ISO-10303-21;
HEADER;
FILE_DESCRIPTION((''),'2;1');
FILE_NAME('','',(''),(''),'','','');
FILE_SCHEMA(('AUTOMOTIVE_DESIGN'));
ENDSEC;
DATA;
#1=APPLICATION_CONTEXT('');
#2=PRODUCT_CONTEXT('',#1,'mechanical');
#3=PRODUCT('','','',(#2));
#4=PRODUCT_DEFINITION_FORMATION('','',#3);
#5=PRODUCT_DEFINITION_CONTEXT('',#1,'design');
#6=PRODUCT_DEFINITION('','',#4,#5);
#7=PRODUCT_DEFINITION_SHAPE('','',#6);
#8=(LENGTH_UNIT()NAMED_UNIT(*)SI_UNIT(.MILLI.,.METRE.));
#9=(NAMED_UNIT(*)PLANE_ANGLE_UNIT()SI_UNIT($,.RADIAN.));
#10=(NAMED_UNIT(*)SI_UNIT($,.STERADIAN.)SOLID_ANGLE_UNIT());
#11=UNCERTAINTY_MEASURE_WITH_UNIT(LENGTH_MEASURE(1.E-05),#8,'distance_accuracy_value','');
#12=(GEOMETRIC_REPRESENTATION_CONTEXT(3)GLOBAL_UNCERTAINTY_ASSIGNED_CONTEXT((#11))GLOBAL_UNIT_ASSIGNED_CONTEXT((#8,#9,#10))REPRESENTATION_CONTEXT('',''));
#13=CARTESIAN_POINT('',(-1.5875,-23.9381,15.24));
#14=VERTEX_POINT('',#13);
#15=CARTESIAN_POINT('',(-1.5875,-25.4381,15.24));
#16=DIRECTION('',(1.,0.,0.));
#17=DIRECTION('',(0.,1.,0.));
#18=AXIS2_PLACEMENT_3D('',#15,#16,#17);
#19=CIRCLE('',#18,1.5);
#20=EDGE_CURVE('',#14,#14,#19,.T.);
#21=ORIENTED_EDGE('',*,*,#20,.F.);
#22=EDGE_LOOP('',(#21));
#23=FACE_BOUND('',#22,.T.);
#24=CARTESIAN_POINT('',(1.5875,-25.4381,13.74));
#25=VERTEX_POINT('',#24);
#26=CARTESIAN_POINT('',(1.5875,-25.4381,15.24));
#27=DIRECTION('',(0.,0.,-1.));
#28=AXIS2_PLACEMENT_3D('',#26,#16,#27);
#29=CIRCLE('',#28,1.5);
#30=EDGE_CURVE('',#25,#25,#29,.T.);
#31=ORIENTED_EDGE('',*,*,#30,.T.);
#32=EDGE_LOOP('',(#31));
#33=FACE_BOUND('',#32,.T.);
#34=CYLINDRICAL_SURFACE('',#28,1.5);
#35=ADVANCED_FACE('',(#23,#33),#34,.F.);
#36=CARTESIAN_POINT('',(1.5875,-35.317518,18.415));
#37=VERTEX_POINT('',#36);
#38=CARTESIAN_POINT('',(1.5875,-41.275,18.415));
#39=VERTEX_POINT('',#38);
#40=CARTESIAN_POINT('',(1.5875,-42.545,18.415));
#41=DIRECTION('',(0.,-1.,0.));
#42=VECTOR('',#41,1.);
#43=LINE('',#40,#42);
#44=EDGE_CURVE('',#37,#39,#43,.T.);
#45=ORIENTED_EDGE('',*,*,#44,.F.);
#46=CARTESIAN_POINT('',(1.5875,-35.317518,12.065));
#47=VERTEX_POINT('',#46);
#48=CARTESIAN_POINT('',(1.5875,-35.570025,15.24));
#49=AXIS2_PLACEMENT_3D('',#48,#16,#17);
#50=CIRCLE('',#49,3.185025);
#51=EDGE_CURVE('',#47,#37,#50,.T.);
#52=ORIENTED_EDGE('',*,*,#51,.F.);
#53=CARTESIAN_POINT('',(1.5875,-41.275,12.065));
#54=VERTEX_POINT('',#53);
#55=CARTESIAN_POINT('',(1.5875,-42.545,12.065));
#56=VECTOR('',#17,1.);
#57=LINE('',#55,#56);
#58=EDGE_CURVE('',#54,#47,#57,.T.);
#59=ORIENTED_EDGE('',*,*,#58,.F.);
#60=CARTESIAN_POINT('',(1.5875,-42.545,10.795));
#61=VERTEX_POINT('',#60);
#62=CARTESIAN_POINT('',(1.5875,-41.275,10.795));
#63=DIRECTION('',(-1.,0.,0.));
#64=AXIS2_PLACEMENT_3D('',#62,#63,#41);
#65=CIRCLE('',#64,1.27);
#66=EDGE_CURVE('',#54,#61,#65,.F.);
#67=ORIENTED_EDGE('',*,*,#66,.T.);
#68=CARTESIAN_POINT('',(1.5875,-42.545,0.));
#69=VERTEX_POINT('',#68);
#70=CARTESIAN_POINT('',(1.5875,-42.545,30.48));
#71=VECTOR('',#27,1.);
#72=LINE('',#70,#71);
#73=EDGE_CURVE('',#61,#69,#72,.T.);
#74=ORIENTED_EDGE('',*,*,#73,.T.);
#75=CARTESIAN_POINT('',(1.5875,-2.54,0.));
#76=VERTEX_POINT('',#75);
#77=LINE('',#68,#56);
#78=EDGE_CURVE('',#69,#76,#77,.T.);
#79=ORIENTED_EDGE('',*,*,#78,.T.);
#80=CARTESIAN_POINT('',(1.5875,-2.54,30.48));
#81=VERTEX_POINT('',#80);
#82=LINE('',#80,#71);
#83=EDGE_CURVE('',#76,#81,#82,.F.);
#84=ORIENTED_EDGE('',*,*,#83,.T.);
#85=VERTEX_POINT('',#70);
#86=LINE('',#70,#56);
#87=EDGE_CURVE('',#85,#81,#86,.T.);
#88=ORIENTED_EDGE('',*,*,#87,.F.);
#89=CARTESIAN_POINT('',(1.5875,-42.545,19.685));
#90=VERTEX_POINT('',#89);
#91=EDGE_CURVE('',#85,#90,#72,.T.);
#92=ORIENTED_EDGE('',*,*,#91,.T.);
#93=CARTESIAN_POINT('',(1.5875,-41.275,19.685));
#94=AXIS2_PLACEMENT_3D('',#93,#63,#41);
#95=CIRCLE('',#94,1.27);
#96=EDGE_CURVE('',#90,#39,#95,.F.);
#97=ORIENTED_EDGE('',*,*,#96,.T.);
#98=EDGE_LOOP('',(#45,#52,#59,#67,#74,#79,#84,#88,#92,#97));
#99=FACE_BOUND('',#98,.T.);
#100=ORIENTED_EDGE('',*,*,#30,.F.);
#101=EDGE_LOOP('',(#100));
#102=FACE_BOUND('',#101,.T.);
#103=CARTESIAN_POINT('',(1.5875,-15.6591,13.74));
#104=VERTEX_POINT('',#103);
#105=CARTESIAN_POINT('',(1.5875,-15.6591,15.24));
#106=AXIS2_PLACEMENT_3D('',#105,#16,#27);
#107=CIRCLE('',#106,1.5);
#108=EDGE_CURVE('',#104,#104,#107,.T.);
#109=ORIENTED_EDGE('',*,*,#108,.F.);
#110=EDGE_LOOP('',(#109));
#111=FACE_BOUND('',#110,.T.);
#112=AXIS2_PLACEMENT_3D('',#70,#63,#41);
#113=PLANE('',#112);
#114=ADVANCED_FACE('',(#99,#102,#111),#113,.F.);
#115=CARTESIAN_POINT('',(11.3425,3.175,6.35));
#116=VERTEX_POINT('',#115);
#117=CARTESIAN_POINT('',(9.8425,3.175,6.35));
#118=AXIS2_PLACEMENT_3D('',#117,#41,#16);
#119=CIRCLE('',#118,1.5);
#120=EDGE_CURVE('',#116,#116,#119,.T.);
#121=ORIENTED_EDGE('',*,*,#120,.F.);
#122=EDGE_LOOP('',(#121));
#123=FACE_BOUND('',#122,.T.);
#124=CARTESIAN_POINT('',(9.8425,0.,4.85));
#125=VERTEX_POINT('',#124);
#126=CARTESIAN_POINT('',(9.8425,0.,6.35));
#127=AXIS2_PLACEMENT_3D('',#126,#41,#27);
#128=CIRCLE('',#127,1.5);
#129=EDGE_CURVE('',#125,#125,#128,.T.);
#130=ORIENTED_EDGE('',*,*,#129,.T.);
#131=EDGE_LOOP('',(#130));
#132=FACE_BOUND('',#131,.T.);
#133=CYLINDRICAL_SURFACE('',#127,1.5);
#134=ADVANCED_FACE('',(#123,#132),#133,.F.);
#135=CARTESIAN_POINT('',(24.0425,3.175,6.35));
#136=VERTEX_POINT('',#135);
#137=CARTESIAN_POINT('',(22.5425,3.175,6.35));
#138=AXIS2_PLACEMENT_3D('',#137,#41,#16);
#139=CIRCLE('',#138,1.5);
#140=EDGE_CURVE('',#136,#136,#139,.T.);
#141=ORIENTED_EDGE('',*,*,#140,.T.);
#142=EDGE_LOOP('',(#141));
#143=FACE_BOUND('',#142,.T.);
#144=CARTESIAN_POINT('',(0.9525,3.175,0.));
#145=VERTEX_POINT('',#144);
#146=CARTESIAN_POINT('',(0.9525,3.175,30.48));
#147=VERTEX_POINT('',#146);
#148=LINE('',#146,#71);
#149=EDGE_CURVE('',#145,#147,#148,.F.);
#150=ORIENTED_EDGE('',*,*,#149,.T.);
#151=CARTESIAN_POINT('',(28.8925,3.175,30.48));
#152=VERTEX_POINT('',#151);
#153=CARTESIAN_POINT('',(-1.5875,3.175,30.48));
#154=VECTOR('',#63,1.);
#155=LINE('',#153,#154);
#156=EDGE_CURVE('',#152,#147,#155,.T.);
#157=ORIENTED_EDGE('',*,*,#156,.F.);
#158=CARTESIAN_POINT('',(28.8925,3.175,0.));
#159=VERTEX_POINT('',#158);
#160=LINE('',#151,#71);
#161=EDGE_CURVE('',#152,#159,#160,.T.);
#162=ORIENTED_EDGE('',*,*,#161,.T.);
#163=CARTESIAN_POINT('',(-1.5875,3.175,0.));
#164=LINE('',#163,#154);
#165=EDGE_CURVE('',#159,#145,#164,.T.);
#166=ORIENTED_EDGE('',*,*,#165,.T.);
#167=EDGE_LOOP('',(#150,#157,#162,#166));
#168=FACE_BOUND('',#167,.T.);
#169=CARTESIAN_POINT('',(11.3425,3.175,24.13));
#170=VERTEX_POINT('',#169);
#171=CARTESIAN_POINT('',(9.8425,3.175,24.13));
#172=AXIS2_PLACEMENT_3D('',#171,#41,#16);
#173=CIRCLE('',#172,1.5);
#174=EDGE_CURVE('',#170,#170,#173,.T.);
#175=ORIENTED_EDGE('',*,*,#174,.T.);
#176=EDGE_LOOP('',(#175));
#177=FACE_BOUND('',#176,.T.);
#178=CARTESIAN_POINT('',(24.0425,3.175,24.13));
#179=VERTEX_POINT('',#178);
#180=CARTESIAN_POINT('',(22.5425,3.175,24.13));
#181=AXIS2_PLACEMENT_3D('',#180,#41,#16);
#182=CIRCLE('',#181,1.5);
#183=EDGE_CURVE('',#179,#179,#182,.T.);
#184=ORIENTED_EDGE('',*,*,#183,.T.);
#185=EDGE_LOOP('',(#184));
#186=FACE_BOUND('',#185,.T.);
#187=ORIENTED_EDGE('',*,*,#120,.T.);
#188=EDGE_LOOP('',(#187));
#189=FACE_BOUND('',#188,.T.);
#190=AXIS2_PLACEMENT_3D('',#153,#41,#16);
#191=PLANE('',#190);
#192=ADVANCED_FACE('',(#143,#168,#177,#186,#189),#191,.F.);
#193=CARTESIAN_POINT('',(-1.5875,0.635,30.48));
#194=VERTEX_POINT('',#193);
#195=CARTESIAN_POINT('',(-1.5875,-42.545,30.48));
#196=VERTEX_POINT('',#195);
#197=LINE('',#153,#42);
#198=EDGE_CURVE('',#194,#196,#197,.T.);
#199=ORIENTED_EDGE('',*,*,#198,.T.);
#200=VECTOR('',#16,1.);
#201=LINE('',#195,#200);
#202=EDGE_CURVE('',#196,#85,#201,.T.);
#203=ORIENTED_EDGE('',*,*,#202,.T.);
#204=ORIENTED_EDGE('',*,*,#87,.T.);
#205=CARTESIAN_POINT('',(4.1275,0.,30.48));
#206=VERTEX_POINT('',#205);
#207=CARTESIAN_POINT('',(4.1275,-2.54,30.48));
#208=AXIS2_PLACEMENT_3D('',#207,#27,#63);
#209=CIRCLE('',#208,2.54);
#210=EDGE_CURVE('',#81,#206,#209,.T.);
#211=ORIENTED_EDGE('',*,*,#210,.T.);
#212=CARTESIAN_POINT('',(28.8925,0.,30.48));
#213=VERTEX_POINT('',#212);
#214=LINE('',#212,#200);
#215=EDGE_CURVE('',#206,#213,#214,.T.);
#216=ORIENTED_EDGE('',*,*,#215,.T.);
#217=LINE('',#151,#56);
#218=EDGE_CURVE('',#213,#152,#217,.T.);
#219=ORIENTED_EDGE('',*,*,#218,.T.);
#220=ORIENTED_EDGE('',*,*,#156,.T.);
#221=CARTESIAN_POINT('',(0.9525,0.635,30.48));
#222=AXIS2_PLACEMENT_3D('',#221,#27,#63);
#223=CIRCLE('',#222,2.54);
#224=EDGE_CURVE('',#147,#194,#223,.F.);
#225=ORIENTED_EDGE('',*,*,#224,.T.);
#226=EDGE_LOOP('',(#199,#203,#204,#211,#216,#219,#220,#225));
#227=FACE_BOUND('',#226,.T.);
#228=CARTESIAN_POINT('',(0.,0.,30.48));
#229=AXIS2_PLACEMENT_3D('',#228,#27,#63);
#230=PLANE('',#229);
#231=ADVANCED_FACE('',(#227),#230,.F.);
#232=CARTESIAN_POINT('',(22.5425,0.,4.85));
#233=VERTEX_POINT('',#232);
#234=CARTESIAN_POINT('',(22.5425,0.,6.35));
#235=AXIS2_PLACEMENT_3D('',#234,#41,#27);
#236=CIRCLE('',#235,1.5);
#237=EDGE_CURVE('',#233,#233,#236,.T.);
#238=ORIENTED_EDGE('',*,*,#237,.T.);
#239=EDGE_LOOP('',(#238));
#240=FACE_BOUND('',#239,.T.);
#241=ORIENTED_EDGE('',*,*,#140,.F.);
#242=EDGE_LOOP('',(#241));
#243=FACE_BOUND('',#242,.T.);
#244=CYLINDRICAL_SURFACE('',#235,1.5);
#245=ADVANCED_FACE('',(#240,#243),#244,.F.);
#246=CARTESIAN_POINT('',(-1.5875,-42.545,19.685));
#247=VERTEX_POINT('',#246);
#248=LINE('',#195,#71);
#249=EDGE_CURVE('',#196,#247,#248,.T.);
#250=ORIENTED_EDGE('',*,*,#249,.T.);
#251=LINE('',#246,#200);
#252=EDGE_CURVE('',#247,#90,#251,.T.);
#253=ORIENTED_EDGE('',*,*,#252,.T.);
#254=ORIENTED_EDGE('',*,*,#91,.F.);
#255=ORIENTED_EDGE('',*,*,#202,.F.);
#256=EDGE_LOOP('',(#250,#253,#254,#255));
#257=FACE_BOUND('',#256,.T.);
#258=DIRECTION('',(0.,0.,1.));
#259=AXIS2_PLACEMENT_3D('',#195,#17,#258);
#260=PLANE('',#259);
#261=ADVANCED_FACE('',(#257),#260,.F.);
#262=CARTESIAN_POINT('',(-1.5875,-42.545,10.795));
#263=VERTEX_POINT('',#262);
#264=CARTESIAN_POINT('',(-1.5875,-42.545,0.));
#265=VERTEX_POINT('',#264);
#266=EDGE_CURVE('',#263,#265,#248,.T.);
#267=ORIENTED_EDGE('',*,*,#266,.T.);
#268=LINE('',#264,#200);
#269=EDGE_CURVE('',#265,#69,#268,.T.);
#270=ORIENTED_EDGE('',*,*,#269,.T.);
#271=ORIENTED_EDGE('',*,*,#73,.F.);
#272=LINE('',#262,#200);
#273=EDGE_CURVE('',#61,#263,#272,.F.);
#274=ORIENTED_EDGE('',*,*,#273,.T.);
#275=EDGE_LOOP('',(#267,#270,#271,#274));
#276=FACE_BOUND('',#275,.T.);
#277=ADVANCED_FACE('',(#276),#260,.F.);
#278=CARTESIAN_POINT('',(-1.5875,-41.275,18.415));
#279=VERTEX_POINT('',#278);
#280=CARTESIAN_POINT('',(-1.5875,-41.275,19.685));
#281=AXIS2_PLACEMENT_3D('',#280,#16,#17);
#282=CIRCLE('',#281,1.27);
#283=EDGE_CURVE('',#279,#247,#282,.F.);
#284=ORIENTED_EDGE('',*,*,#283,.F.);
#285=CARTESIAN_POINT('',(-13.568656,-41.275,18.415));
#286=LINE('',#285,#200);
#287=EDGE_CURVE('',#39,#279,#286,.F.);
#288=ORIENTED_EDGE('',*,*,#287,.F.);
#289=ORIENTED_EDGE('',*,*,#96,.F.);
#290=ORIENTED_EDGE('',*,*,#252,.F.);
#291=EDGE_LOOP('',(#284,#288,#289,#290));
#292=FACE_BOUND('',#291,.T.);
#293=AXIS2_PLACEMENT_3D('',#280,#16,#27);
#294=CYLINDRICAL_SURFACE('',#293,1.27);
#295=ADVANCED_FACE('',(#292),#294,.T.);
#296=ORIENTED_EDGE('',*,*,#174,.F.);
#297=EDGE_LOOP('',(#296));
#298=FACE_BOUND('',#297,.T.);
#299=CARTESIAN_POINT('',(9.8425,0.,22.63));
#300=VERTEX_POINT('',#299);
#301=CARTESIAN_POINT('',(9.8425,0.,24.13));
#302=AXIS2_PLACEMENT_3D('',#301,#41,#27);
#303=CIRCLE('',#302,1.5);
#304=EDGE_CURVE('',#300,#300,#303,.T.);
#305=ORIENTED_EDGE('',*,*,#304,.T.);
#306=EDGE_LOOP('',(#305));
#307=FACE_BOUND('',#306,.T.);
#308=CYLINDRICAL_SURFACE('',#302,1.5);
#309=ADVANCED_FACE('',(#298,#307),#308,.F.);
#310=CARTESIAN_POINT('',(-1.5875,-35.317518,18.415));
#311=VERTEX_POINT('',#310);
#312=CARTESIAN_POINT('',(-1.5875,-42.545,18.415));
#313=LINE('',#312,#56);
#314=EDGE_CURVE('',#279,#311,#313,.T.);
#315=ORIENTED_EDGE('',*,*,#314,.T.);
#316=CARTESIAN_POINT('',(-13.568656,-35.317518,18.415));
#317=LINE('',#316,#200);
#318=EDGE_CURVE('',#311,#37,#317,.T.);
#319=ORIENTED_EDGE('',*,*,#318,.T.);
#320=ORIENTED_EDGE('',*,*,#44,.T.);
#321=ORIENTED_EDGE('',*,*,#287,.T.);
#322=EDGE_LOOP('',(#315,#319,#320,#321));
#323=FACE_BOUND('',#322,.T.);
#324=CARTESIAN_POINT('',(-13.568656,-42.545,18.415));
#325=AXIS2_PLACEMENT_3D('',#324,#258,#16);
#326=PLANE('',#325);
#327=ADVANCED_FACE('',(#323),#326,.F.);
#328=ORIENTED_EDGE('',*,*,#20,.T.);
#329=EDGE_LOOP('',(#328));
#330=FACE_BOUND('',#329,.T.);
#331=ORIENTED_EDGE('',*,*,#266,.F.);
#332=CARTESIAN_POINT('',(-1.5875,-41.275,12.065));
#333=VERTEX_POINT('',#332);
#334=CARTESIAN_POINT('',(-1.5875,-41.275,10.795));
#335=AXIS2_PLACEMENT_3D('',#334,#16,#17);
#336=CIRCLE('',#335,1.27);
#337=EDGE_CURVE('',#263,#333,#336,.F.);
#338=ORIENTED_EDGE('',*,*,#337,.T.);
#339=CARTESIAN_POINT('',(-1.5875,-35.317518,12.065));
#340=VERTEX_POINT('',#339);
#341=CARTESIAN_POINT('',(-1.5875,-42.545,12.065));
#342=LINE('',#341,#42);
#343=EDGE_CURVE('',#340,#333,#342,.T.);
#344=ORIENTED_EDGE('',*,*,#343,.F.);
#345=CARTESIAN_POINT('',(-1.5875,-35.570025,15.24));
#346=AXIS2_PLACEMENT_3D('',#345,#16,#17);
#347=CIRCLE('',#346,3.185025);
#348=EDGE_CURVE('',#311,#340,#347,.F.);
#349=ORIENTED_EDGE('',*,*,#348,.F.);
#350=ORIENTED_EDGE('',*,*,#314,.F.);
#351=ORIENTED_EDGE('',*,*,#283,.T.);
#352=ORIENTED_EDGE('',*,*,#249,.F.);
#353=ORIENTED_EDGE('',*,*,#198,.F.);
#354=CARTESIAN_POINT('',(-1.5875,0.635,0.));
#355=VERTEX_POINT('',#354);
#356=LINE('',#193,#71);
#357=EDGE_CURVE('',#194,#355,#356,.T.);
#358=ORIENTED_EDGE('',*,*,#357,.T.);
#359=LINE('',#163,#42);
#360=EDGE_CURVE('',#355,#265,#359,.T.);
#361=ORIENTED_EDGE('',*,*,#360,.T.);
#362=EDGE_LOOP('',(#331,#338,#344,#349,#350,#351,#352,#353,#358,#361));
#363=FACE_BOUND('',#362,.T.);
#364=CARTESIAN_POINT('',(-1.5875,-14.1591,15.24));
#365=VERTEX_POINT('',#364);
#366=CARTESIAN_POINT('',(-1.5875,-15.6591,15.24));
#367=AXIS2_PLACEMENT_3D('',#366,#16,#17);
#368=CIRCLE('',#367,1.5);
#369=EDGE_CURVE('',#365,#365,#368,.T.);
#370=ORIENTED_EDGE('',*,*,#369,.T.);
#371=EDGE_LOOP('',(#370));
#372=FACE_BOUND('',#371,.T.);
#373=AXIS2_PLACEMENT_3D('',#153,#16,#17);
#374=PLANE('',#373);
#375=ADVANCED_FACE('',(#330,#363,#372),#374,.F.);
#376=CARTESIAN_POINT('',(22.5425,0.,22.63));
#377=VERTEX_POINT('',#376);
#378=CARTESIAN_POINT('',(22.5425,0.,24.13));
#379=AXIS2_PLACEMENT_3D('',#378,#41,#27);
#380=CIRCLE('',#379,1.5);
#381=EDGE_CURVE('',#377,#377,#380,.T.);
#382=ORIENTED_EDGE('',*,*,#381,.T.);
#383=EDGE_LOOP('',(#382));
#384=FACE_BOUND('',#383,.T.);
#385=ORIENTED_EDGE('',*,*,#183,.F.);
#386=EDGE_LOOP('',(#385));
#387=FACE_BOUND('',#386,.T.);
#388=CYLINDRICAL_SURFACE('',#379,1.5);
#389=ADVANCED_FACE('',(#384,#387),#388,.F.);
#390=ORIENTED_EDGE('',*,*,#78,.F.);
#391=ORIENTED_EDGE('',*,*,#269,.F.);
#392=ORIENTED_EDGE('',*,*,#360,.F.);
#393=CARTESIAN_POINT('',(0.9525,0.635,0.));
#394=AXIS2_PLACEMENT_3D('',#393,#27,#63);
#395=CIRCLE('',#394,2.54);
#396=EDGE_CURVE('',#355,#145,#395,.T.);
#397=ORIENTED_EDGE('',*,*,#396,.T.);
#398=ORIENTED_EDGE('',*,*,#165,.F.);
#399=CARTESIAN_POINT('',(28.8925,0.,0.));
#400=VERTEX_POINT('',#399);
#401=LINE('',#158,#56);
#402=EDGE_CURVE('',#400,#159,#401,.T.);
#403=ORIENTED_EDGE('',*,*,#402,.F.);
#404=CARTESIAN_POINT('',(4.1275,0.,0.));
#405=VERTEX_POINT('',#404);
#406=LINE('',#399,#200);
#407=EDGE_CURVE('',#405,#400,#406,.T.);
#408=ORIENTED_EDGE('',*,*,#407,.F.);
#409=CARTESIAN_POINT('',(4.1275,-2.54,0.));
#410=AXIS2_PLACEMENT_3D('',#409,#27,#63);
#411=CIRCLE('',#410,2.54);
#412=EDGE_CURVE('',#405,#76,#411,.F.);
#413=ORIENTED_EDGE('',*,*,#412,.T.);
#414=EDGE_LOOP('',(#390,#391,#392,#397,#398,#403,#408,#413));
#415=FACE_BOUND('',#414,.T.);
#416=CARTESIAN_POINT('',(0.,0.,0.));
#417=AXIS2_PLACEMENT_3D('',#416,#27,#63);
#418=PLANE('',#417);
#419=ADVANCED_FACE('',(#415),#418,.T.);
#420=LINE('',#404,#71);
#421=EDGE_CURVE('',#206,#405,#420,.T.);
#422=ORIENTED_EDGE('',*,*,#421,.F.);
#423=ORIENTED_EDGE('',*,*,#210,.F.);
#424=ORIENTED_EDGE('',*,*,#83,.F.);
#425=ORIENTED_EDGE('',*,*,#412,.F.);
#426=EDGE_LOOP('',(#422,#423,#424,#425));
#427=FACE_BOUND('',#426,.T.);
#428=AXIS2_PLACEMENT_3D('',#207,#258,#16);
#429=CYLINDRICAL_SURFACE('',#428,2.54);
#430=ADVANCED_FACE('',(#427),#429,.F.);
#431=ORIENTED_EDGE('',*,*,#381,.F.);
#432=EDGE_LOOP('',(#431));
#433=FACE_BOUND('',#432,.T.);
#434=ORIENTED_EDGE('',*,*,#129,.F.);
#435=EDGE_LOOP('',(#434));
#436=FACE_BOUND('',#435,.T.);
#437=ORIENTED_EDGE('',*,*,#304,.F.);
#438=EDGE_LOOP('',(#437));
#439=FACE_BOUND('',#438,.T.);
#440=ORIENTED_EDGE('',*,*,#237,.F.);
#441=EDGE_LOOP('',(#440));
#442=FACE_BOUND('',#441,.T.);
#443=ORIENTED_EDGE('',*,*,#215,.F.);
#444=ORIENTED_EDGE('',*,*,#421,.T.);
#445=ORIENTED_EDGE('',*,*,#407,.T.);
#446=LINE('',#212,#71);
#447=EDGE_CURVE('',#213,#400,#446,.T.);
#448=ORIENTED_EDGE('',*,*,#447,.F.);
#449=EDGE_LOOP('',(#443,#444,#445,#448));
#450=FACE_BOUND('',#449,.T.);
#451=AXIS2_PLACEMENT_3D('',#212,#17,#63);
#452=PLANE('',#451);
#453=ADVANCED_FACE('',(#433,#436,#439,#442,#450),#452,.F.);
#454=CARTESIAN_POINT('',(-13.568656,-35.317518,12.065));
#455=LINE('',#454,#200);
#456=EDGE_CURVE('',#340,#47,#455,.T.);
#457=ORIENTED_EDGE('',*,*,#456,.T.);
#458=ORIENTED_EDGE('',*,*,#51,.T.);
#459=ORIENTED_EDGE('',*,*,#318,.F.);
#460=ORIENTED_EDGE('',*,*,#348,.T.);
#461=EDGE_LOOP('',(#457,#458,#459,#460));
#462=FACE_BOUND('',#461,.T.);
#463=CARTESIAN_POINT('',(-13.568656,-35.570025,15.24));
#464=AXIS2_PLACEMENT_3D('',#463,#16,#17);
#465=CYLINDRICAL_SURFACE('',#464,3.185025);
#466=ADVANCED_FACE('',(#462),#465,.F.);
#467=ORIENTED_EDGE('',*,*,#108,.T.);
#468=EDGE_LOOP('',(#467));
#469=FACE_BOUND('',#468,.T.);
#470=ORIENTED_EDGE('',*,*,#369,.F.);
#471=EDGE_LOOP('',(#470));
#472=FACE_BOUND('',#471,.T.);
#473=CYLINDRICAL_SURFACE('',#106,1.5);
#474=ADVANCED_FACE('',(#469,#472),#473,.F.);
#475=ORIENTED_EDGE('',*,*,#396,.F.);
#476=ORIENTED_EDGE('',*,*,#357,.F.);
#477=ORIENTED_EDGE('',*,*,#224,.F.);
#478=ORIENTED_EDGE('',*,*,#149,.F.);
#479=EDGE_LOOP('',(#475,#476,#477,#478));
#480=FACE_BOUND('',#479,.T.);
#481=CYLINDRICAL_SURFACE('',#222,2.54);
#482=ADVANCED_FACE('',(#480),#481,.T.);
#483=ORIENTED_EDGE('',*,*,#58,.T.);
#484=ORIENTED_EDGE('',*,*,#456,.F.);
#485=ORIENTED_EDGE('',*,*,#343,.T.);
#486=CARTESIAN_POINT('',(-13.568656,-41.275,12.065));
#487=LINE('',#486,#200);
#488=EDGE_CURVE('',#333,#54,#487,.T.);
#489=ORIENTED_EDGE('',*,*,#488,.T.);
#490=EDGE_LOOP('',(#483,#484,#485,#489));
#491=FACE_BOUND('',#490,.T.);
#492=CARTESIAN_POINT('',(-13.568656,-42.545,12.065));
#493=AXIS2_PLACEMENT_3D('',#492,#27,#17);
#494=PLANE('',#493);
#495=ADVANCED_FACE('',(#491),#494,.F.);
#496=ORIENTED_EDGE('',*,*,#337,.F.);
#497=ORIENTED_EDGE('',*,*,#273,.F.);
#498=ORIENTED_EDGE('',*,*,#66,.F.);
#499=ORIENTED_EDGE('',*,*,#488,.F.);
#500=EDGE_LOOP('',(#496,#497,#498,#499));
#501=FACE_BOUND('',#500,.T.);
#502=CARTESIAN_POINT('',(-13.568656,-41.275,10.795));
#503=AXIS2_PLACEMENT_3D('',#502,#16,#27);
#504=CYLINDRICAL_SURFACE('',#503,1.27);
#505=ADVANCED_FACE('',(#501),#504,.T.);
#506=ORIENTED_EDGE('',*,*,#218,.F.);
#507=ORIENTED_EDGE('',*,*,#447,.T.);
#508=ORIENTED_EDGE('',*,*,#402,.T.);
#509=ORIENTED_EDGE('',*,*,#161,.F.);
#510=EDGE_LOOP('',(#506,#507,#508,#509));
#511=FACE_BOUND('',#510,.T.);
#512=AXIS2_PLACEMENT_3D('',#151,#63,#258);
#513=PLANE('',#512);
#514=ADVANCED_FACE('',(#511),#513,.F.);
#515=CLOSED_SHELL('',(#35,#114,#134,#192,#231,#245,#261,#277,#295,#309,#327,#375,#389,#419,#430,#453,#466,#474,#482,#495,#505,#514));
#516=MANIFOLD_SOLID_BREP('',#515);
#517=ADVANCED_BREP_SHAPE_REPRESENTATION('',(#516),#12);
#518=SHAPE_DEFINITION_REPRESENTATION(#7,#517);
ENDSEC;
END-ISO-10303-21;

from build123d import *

# Parameters (mm, degrees)
BOSS_EXTRUDE1_DEPTH          = 30.48
FILLET1_R                    = 2.54
F_3_0_3_DIAMETER_HOLE2_D     = 3
F_3_0_3_DIAMETER_HOLE2_DEPTH = 3.175
F_3_0_3_DIAMETER_HOLE1_D     = 3
F_3_0_3_DIAMETER_HOLE1_DEPTH = 3.175
CUT_EXTRUDE1_DEPTH           = 3.175
FILLET2_R                    = 1.27


with BuildPart() as part:
    # Sketch1 → Boss-Extrude1 (new body)
    with BuildSketch(Plane.XY):
        Polygon((-1.5875, 3.175), (-1.5875, -42.545), (1.5875, -42.545), (1.5875, 0), (28.8925, 0), (28.8925, 3.175), align=None)
    extrude(amount=BOSS_EXTRUDE1_DEPTH)

    # Fillet1
    fillet1_edges = [part.edges().sort_by_distance(p)[0] for p in [
        (1.5875, 0, 15.24),
        (-1.5875, 3.175, 15.24),
    ]]
    fillet(fillet1_edges, radius=FILLET1_R)

    # Ø3.0 (3) Diameter Hole2
    with Locations(Plane(origin=(1.5875, 0, 0), x_dir=(0, 0, -1), z_dir=(1, 0, 0))):
        with Locations((-15.24, -15.6591), (-15.24, -25.4381)):
            Hole(F_3_0_3_DIAMETER_HOLE2_D / 2, depth=F_3_0_3_DIAMETER_HOLE2_DEPTH)

    # Ø3.0 (3) Diameter Hole1
    with Locations(Plane(origin=(0, 0, 0), x_dir=(-1, 0, 0), z_dir=(0, -1, 0))):
        with Locations((-22.5425, -6.35), (-9.8425, -6.35), (-9.8425, -24.13), (-22.5425, -24.13)):
            Hole(F_3_0_3_DIAMETER_HOLE1_D / 2, depth=F_3_0_3_DIAMETER_HOLE1_DEPTH)

    # Sketch7 → Cut-Extrude1 (cut)
    with BuildSketch(Plane(origin=(1.5875, 0, 0), x_dir=(0, 0, -1), z_dir=(1, 0, 0))):
        with BuildLine():
            Line((-18.415, -42.545), (-18.415, -35.317518126))
            ThreePointArc((-18.415, -35.317518126), (-15.24, -32.385), (-12.065, -35.317518126))
            Line((-12.065, -35.317518126), (-12.065, -42.545))
            Line((-12.065, -42.545), (-18.415, -42.545))
        make_face()
    extrude(amount=-CUT_EXTRUDE1_DEPTH, mode=Mode.SUBTRACT)

    # Fillet2
    fillet2_edges = [part.edges().sort_by_distance(p)[0] for p in [
        (0, -42.545, 12.065),
        (0, -42.545, 18.415),
    ]]
    fillet(fillet2_edges, radius=FILLET2_R)


solid = part.part
